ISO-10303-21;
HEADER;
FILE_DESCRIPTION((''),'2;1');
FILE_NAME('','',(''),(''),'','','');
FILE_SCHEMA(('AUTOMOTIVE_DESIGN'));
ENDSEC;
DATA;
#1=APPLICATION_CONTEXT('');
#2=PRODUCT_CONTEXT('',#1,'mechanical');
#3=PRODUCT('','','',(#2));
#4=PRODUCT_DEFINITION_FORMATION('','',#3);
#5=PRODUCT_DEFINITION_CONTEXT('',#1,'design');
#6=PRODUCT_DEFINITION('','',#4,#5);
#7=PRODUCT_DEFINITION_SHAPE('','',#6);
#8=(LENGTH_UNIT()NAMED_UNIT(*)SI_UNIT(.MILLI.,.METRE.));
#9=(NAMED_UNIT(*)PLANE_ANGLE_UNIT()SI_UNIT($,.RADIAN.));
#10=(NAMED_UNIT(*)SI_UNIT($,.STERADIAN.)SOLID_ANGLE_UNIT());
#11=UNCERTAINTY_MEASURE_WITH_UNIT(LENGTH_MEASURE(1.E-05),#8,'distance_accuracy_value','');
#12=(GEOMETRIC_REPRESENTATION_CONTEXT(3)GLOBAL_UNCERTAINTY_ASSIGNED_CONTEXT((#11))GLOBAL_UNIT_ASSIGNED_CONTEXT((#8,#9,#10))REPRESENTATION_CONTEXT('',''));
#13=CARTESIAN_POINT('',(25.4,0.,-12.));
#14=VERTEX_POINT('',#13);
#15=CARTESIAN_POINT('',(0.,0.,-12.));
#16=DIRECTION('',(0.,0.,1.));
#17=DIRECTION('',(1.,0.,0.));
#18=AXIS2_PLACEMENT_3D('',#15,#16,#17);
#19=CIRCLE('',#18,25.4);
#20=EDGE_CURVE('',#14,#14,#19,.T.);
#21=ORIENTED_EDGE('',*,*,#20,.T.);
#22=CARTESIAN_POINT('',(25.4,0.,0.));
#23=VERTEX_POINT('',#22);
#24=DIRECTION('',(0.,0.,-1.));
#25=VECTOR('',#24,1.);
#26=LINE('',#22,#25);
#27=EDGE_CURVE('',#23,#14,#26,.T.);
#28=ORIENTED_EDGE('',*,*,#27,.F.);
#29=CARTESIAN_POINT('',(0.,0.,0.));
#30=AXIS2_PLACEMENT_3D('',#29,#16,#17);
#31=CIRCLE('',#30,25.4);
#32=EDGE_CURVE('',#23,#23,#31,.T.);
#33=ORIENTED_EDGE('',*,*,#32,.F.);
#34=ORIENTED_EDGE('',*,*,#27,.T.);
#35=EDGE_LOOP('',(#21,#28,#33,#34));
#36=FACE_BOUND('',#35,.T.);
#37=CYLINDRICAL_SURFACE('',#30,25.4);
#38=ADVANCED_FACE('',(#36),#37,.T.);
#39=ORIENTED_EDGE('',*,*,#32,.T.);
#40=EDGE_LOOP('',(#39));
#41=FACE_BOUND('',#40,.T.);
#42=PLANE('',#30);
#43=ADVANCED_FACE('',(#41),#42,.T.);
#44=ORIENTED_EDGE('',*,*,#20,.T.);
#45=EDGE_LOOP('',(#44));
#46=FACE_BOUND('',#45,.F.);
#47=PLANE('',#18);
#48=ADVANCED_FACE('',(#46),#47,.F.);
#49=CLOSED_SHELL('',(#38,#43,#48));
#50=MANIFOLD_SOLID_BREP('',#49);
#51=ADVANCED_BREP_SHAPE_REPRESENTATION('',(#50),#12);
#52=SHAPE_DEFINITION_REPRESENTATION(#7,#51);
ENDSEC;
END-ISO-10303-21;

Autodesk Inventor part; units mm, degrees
ref_plane "YZ Plane" through (0, 0, 0) normal (1, 0, 0) x (0, 1, 0)
ref_plane "XZ Plane" through (0, 0, 0) normal (0, 1, 0) x (-1, 0, 0)
ref_plane "XY Plane" through (0, 0, 0) normal (0, 0, 1) x (1, 0, 0)
sketch "Sketch1" plane through (0, 0, 0) normal (0, 0, 1) x (1, 0, 0)
  circle A0 centre (0, 0) radius 25.4
  dimension "d0" = 50.8
extrude "Extrusion1" add sketch "Sketch1" against normal blind 12
properties part number "Mirror 2 inch" material "Glass"
